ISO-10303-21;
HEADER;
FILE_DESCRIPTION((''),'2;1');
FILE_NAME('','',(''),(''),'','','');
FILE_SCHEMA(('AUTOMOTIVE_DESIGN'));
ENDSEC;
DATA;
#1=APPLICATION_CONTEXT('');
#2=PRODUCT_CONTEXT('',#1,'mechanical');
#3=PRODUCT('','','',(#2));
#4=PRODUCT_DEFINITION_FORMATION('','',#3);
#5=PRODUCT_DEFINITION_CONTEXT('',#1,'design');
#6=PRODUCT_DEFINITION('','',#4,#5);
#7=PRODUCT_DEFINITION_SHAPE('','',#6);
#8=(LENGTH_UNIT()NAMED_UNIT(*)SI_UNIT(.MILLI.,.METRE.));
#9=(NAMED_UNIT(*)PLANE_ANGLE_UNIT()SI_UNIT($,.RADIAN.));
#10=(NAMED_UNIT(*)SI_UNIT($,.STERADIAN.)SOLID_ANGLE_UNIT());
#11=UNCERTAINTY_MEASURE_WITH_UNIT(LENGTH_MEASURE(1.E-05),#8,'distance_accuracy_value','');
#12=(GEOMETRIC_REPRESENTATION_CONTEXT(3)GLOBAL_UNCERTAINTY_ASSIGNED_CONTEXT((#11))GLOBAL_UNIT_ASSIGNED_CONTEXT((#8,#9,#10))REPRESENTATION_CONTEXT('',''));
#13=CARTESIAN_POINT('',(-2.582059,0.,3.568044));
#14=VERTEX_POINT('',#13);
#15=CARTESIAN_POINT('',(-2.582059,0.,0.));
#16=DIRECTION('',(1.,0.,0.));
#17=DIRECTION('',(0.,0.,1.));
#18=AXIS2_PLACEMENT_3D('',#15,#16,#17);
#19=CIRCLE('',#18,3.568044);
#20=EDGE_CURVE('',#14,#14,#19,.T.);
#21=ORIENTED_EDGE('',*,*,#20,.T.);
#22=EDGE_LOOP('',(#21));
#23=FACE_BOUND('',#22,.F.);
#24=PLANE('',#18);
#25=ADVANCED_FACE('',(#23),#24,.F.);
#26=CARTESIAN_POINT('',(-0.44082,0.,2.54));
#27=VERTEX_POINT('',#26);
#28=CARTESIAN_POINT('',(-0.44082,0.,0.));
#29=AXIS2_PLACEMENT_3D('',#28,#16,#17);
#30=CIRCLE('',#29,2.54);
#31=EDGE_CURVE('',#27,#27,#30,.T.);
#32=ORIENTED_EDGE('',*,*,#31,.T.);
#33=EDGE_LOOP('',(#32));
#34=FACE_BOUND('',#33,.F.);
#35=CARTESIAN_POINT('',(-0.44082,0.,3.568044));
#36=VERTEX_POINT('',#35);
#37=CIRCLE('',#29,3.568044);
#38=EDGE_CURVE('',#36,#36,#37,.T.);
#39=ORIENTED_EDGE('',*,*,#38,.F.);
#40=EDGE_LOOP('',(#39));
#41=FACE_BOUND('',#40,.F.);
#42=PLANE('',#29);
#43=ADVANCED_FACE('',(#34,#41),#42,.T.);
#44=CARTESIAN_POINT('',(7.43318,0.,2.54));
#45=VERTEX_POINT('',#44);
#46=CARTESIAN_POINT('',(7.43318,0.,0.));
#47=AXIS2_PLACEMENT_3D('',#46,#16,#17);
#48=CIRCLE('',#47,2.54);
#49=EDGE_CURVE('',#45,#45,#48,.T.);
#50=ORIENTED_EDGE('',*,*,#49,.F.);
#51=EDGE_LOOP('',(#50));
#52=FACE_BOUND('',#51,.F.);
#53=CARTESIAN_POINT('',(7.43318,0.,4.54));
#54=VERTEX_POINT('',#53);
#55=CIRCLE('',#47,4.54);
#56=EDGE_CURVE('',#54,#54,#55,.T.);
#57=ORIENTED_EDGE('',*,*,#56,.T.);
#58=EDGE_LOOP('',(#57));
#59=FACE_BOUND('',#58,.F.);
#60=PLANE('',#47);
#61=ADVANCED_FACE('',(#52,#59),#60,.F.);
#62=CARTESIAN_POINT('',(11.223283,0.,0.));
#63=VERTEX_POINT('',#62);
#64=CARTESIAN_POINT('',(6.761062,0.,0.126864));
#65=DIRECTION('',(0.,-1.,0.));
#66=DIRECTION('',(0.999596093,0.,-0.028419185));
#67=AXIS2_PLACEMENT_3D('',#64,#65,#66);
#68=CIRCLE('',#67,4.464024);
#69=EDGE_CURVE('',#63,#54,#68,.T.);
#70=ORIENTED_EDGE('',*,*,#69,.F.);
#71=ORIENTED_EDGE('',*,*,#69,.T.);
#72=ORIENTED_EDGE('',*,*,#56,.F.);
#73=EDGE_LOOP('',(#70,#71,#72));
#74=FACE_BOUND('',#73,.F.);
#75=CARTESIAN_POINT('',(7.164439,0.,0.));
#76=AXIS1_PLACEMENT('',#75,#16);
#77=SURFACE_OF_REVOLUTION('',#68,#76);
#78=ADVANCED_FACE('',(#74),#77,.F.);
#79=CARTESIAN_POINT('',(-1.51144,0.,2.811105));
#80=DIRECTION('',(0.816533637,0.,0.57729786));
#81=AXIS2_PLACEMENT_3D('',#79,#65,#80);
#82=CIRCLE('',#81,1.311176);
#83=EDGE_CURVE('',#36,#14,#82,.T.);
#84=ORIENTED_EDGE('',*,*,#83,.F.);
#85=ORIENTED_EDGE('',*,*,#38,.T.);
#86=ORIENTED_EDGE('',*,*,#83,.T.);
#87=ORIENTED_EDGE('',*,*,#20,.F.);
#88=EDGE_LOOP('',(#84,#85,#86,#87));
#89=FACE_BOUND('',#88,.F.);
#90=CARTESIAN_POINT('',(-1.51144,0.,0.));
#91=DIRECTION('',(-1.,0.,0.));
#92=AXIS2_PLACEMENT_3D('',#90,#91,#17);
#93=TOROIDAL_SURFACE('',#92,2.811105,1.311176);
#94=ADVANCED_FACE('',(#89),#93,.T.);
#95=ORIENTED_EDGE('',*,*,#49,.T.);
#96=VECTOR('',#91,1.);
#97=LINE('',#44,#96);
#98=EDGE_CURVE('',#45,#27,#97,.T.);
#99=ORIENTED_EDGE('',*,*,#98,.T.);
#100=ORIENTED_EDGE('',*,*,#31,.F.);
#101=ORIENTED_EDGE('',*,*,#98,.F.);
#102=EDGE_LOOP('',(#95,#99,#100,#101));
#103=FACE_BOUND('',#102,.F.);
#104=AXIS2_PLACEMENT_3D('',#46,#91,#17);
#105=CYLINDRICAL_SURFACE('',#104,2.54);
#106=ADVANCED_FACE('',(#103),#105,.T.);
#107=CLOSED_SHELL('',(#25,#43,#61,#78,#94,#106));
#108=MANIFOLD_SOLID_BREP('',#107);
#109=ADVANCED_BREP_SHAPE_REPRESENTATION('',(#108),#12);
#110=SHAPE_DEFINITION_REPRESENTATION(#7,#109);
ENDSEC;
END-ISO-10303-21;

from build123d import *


with BuildPart() as f1:
    # F0 (on Front) → F1 (revolve)
    with BuildSketch(Plane.XZ):
        with BuildLine():
            Line((7.43318, 2.54), (-0.44082, 2.54))
            Line((-0.44082, 2.54), (-0.44082, 3.568044))
            ThreePointArc((-0.44082, 3.568044), (-1.51144, 4.122281), (-2.582059, 3.568044))
            Line((-2.582059, 3.568044), (-2.582059, 0))
            Line((-2.582059, 0), (11.223283, 0))
            ThreePointArc((11.223283, 0), (10.187906, 2.987677), (7.43318, 4.54))
            Line((7.43318, 4.54), (7.43318, 2.54))
        make_face()
    revolve(axis=Axis((7.164439, 0, 0), (1, 0, 0)))


solid = f1.part
